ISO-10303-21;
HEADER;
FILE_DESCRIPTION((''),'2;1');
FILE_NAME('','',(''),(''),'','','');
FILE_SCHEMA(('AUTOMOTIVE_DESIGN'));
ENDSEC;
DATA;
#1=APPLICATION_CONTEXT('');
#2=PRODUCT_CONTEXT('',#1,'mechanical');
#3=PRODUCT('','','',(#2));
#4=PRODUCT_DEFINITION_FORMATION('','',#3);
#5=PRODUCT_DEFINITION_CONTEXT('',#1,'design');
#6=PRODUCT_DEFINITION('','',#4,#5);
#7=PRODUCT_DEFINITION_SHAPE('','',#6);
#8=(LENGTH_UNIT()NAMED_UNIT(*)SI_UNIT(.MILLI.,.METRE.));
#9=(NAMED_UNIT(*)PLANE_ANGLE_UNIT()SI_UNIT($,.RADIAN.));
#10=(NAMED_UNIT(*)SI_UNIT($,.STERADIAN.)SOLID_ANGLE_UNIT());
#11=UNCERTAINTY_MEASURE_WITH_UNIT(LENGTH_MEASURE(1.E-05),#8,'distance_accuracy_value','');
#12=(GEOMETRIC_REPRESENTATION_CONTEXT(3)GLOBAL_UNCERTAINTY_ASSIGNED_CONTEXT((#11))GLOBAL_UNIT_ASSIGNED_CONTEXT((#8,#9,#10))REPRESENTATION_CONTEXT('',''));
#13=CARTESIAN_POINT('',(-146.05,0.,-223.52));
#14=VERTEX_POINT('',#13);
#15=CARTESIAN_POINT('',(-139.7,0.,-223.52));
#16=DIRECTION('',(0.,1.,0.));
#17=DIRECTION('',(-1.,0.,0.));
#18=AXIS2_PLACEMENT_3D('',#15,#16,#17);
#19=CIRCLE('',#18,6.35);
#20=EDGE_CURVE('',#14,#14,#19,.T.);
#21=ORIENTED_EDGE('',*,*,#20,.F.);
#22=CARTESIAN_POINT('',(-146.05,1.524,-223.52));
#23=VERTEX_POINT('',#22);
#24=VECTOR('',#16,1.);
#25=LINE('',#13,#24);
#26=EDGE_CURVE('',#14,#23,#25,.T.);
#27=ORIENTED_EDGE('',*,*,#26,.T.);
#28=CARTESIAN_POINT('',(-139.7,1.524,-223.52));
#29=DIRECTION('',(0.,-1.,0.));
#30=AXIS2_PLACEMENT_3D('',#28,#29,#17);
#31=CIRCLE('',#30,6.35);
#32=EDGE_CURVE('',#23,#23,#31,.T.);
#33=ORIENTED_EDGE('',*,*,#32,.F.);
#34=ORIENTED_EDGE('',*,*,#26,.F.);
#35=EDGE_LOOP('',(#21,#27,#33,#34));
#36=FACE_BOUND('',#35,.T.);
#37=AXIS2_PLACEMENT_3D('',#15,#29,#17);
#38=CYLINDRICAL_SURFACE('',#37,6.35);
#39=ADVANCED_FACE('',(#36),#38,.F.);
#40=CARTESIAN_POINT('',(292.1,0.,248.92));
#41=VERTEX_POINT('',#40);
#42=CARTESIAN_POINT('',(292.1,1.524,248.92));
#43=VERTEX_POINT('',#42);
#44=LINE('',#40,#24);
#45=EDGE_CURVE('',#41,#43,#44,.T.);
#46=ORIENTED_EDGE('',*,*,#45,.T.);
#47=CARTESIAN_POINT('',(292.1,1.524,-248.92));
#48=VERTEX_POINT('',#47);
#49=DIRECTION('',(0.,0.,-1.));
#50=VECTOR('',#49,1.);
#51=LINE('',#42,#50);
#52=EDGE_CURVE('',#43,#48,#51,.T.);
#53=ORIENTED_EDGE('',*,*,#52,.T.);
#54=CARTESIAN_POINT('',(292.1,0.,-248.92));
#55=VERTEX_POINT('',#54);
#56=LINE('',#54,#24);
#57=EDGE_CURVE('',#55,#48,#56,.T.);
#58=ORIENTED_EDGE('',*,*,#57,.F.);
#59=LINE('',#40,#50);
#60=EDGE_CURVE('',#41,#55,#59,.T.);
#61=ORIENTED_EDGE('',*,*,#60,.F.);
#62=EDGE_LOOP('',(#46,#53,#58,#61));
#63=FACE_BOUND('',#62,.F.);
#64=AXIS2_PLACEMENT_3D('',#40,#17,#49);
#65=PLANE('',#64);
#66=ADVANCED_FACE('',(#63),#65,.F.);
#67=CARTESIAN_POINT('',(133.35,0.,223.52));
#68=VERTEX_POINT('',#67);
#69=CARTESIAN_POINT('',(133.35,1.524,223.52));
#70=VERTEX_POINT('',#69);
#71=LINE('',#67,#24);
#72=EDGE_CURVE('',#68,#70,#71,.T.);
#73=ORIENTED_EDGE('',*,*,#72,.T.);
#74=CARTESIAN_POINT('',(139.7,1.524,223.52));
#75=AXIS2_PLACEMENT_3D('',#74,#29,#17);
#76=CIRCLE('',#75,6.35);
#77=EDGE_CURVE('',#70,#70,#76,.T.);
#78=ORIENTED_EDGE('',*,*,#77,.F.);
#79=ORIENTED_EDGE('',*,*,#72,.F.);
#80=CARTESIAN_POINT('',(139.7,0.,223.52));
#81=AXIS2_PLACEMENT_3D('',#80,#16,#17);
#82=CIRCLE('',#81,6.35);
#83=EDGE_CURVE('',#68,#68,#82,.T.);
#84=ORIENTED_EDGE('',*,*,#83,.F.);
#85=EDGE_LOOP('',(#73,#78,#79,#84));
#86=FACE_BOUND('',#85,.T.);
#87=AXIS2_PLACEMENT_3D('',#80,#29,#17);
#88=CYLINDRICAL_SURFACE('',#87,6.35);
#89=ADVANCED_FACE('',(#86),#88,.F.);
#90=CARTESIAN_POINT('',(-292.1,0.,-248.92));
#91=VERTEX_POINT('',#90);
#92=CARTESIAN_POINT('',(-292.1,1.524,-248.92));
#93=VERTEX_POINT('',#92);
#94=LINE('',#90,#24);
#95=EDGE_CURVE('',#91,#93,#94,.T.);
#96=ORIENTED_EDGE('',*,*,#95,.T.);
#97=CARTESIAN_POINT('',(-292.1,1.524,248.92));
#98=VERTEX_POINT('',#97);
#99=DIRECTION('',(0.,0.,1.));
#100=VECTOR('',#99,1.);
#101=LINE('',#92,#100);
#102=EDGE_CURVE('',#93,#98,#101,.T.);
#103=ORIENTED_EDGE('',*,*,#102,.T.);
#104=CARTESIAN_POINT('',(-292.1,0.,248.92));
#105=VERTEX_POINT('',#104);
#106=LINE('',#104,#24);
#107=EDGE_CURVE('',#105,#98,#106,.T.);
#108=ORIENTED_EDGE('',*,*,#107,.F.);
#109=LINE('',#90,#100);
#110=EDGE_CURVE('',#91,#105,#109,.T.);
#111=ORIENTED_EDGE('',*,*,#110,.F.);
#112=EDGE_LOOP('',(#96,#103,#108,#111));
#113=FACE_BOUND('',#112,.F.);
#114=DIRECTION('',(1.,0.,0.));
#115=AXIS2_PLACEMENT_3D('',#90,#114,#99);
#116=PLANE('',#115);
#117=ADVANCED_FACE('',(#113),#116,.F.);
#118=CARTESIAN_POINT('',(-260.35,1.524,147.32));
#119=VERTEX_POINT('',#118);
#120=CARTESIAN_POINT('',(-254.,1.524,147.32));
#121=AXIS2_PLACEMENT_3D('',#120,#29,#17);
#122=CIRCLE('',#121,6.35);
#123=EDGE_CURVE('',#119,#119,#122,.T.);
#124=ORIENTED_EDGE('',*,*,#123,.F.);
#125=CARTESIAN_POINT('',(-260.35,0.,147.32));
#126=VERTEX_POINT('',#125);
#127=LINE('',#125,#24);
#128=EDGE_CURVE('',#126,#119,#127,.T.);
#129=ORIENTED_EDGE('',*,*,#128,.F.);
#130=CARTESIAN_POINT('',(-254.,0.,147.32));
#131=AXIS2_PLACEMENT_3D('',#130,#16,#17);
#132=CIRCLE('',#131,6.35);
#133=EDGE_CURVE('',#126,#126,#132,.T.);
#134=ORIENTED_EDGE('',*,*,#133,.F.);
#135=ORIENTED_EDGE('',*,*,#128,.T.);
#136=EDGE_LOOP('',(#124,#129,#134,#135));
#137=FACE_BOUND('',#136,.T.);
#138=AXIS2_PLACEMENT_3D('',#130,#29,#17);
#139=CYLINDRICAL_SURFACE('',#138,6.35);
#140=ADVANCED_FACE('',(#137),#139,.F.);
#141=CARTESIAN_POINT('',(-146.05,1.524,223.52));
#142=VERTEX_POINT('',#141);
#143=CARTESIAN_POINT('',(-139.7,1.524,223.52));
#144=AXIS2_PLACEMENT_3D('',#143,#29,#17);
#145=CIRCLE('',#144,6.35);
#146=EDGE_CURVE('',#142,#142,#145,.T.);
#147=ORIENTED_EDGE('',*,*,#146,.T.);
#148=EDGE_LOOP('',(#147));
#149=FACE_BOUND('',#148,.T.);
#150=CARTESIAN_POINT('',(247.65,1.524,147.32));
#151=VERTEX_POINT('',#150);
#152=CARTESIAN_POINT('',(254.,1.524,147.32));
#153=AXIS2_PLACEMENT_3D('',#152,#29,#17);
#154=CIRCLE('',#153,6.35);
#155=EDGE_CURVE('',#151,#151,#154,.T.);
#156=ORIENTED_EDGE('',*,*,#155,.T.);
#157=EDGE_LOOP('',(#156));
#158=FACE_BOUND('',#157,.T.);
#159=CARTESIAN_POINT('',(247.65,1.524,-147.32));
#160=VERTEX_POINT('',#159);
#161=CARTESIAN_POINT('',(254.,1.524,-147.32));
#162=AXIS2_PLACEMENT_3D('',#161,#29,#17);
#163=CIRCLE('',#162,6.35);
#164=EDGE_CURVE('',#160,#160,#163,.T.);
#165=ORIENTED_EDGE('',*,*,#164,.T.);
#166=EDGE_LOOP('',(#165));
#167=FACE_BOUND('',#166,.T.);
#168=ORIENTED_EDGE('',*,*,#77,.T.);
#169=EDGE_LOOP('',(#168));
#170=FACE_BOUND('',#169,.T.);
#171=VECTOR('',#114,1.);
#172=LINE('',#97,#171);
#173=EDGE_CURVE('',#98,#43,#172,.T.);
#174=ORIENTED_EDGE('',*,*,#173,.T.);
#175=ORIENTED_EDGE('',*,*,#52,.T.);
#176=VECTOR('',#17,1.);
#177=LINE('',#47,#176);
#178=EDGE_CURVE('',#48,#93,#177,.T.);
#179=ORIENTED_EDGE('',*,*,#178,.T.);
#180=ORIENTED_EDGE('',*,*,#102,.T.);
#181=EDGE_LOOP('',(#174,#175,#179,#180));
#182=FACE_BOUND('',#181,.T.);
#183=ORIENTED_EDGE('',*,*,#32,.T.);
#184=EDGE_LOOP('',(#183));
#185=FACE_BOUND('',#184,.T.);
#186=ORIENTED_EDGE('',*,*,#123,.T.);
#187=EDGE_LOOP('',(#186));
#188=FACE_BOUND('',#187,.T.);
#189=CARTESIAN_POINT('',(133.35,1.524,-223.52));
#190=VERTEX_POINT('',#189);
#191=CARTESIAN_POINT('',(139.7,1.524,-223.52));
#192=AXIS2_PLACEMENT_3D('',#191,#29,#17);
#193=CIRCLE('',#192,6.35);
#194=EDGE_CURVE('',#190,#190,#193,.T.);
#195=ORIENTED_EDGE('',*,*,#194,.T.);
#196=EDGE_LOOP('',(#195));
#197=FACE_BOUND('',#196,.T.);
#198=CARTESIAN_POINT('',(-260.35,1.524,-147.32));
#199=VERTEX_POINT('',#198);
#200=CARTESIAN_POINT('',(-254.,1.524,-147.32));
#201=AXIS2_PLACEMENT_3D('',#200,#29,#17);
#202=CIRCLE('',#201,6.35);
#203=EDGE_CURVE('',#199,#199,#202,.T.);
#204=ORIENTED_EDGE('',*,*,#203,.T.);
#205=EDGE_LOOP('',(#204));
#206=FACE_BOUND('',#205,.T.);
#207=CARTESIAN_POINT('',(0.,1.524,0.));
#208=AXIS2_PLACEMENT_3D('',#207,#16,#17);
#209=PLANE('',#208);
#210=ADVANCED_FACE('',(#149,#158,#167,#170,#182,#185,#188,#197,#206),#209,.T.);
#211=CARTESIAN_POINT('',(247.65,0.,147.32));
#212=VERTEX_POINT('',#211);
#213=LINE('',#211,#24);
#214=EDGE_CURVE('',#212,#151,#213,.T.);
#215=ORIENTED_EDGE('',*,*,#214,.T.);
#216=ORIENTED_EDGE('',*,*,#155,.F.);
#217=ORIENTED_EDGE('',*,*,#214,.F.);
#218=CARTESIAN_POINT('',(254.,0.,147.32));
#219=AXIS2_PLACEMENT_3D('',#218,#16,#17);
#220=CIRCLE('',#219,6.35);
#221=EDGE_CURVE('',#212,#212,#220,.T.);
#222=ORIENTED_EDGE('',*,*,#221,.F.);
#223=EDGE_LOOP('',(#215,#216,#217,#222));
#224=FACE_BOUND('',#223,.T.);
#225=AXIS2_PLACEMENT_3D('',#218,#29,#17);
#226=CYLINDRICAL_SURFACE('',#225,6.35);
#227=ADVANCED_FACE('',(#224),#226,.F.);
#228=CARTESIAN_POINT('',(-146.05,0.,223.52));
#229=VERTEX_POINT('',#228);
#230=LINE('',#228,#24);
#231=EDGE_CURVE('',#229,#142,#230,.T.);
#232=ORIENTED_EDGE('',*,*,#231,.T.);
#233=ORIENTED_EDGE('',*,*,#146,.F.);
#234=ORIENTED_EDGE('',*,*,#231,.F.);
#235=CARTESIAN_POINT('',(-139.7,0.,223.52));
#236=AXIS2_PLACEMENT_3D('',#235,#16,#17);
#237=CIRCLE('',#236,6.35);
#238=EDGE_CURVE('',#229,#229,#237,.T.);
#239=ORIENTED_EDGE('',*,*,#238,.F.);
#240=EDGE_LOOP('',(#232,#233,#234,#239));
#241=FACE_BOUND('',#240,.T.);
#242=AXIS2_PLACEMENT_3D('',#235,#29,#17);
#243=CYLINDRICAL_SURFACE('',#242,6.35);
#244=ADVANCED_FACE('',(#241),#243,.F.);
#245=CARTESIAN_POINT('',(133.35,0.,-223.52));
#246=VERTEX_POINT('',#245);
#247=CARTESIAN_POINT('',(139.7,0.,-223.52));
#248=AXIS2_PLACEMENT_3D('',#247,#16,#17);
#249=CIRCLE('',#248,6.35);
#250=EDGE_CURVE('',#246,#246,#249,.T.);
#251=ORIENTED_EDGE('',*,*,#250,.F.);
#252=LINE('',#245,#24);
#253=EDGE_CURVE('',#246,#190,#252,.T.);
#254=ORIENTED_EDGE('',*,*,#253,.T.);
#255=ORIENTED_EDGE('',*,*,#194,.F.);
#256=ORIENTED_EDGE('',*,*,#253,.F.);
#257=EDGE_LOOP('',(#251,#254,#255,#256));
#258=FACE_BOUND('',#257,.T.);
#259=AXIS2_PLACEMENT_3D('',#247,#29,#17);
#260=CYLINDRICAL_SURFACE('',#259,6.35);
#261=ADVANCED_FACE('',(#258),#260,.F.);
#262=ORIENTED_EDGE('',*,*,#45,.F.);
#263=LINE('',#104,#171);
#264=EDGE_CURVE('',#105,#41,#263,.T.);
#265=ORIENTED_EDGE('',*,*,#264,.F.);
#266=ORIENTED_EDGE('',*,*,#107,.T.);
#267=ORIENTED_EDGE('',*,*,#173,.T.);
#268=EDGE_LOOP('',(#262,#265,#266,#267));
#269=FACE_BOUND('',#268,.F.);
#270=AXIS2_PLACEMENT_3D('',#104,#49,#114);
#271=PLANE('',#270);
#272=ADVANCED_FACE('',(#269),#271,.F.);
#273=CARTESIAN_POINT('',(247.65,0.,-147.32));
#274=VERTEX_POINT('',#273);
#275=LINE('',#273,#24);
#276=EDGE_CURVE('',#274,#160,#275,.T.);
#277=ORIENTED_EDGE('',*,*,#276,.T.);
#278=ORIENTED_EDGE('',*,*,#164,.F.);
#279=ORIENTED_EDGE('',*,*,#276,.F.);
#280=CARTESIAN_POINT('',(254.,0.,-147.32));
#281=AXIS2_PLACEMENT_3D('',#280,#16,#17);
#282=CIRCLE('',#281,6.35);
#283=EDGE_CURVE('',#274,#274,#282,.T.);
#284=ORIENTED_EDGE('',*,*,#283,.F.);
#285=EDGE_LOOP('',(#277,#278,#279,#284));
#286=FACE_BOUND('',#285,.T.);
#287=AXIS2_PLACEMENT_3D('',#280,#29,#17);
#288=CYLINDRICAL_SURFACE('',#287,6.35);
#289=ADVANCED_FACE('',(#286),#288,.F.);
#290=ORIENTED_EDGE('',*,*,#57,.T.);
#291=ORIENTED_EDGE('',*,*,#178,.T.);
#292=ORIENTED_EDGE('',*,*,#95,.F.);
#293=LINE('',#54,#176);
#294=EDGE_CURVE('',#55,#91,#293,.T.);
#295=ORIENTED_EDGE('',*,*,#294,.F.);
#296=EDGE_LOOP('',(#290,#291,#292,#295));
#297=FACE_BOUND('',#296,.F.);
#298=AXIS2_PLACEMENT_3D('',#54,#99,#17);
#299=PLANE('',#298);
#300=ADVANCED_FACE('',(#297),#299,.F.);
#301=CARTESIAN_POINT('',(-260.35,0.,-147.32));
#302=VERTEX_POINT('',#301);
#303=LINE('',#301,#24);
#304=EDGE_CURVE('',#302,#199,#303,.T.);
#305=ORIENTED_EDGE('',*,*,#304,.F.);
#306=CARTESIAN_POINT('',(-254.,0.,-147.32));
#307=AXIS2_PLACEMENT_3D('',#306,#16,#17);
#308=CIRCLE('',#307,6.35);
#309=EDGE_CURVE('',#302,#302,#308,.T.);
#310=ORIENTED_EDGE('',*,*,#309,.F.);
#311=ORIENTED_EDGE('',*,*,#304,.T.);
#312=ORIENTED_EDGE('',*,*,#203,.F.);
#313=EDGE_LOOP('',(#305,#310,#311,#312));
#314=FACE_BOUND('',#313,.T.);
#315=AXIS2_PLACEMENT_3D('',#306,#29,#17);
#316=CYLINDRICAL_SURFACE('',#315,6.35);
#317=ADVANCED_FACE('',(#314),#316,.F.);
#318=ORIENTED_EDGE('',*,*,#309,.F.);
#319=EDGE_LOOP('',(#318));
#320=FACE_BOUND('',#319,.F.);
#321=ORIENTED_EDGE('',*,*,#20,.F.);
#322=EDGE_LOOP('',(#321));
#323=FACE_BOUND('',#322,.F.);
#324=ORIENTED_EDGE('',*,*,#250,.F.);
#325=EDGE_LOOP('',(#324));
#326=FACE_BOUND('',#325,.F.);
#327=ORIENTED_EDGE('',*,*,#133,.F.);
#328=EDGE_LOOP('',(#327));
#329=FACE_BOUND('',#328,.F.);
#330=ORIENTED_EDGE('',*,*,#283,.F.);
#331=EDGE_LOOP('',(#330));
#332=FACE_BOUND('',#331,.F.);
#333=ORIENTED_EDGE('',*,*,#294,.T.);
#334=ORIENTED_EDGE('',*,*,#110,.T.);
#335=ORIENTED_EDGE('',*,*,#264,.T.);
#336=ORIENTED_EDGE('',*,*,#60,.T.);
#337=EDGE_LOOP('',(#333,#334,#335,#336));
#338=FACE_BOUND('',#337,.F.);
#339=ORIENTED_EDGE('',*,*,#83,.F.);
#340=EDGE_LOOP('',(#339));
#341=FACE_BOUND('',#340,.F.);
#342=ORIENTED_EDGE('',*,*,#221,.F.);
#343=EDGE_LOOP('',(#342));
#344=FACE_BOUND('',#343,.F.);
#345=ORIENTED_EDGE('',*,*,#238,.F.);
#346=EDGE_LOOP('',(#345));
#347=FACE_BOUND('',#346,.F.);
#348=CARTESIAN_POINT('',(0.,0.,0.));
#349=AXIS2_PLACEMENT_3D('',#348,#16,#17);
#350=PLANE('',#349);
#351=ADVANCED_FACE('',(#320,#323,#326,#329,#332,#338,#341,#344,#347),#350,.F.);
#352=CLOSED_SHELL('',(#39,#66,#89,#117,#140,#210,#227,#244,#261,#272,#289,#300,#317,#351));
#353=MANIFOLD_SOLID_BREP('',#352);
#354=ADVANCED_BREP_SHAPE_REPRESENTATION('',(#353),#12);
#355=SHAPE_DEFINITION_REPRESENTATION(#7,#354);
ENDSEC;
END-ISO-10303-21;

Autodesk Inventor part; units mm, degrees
ref_plane "YZ Plane" through (0, 0, 0) normal (1, 0, 0) x (0, 1, 0)
ref_plane "XZ Plane" through (0, 0, 0) normal (0, 1, 0) x (-1, 0, 0)
ref_plane "XY Plane" through (0, 0, 0) normal (0, 0, 1) x (1, 0, 0)
sketch "Sketch1" plane through (0, 0, 0) normal (0, 1, 0) x (-1, 0, 0)
  line L0 (-292.1, -248.92) -> (292.1, -248.92)
  line L1 (292.1, -248.92) -> (292.1, 248.92)
  line L2 (292.1, 248.92) -> (-292.1, 248.92)
  line L3 (-292.1, 248.92) -> (-292.1, -248.92)
  line L4 (-292.1, -248.92) -> (292.1, 248.92) construction
  line L5 (292.1, -248.92) -> (-292.1, 248.92) construction
  point P0 (0, 0)
  dimension "d0" = 584.2
  dimension "d1" = 497.84
extrude "Extrusion1" add sketch "Sketch1" along normal blind 1.524
sketch "Sketch3" plane through (0, 0, 0) normal (1, 0, 0) x (0, 1, 0)
  point P0 (0, 0)
sketch "Sketch4" plane through (0, 0, 0) normal (0, 1, 0) x (-1, 0, 0)
  line L0 (292.1, 248.92) -> (-292.1, 248.92) projected
  line L1 (292.1, 248.92) -> (292.1, 147.32)
  line L2 (292.1, -248.92) -> (292.1, 248.92) projected
  line L3 (292.1, 147.32) -> (254, 147.32)
  circle A0 centre (254, 147.32) radius 6.35
  line L4 (292.1, -248.92) -> (292.1, -147.32)
  line L5 (292.1, -147.32) -> (254, -147.32)
  circle A1 centre (254, -147.32) radius 6.35
  line L6 (-292.1, -248.92) -> (292.1, -248.92) projected
  line L7 (292.1, -248.92) -> (139.7, -248.92)
  line L8 (139.7, -248.92) -> (101.6, -248.92)
  circle A2 centre (139.7, -223.52) radius 6.35
  line L9 (-292.1, 248.92) -> (-292.1, -248.92) projected
  line L10 (-292.1, -248.92) -> (-139.7, -248.92)
  line L11 (-139.7, -248.92) -> (-139.7, -210.82)
  circle A3 centre (-139.7, -223.52) radius 6.35
  line L12 (-292.1, -248.92) -> (-292.1, -147.32)
  line L13 (-292.1, -147.32) -> (-254, -147.32)
  line L14 (-292.1, 248.92) -> (-292.1, 147.32)
  line L15 (-292.1, 147.32) -> (-254, 147.32)
  line L16 (-292.1, 248.92) -> (-139.7, 248.92)
  line L17 (-139.7, 248.92) -> (-139.7, 223.52)
  circle A4 centre (-139.7, 223.52) radius 6.35
  line L18 (292.1, 248.92) -> (139.7, 248.92)
  line L19 (139.7, 248.92) -> (139.7, 223.52)
  circle A5 centre (139.7, 223.52) radius 6.35
  circle A6 centre (-254, 147.32) radius 6.35
  circle A7 centre (-254, -147.32) radius 6.35
  line L20 (139.7, -248.92) -> (139.7, -223.52)
  point P0 (0, 0)
  dimension "d10" = 101.6
  dimension "d11" = 38.1
  dimension "d12" = 12.7
  dimension "d13" = 101.6
  dimension "d14" = 38.1
  dimension "d15" = 12.7
  dimension "d16" = 152.4
  dimension "d18" = 12.7
  dimension "d19" = 152.4
  dimension "d20" = 38.1
  dimension "d21" = 12.7
  dimension "d22" = 101.6
  dimension "d23" = 38.1
  dimension "d24" = 101.6
  dimension "d25" = 38.1
  dimension "d26" = 152.4
  dimension "d27" = 25.4
  dimension "d28" = 12.7
  dimension "d29" = 152.4
  dimension "d30" = 25.4
  dimension "d31" = 12.7
  dimension "d32" = 12.7
  dimension "d33" = 12.7
  dimension "d39" = 25.4
extrude "Extrusion3" cut sketch "Sketch4" along normal blind 25.4 contours A5 | A4 | A6 | A7 | A3 L11 | L11 A3 | A2 | A1 | A0
sketch "Sketch5" plane through (0, 0, 0) normal (0, 1, 0) x (-1, 0, 0)
  line L0 (292.1, 248.92) -> (-292.1, 248.92)
  line L1 (292.1, 248.92) -> (292.1, 147.32)
  line L2 (292.1, -248.92) -> (292.1, 248.92)
  line L3 (292.1, 147.32) -> (254, 147.32)
  circle A0 centre (254, 147.32) radius 1.5875
  line L4 (292.1, -248.92) -> (292.1, -147.32)
  line L5 (292.1, -147.32) -> (254, -147.32)
  circle A1 centre (254, -147.32) radius 1.5875
  line L6 (-292.1, -248.92) -> (292.1, -248.92)
  line L7 (292.1, -248.92) -> (139.7, -248.92)
  line L8 (139.7, -248.92) -> (101.6, -248.92)
  circle A2 centre (139.7, -223.52) radius 1.5875
  line L9 (-292.1, 248.92) -> (-292.1, -248.92)
  line L10 (-292.1, -248.92) -> (-139.7, -248.92)
  line L11 (-139.7, -248.92) -> (-139.7, -210.82)
  circle A3 centre (-139.7, -223.52) radius 1.6256
  line L12 (-292.1, -248.92) -> (-292.1, -147.32)
  line L13 (-292.1, -147.32) -> (-254, -147.32)
  line L14 (-292.1, 248.92) -> (-292.1, 147.32)
  line L15 (-292.1, 147.32) -> (-254, 147.32)
  line L16 (-292.1, 248.92) -> (-139.7, 248.92)
  line L17 (-139.7, 248.92) -> (-139.7, 223.52)
  circle A4 centre (-139.7, 223.52) radius 6.35
  line L18 (292.1, 248.92) -> (139.7, 248.92)
  line L19 (139.7, 248.92) -> (139.7, 223.52)
  circle A5 centre (139.7, 223.52) radius 1.5875
  circle A6 centre (-254, 147.32) radius 1.5875
  circle A7 centre (-254, -147.32) radius 1.5875
  line L20 (139.7, -248.92) -> (139.7, -223.52)
  point P0 (0, 0)
  point P1 (0, 0)
  dimension "d42" = 101.6
  dimension "d43" = 38.1
  dimension "d44" = 3.175
  dimension "d45" = 101.6
  dimension "d46" = 38.1
  dimension "d47" = 3.175
  dimension "d48" = 152.4
  dimension "d49" = 3.175
  dimension "d50" = 152.4
  dimension "d51" = 38.1
  dimension "d52" = 3.2512
  dimension "d53" = 101.6
  dimension "d54" = 38.1
  dimension "d55" = 101.6
  dimension "d56" = 38.1
  dimension "d57" = 152.4
  dimension "d58" = 25.4
  dimension "d59" = 12.7
  dimension "d60" = 152.4
  dimension "d61" = 25.4
  dimension "d62" = 3.175
  dimension "d63" = 3.175
  dimension "d64" = 3.175
  dimension "d65" = 25.4
properties part number "seatfloorfit"
